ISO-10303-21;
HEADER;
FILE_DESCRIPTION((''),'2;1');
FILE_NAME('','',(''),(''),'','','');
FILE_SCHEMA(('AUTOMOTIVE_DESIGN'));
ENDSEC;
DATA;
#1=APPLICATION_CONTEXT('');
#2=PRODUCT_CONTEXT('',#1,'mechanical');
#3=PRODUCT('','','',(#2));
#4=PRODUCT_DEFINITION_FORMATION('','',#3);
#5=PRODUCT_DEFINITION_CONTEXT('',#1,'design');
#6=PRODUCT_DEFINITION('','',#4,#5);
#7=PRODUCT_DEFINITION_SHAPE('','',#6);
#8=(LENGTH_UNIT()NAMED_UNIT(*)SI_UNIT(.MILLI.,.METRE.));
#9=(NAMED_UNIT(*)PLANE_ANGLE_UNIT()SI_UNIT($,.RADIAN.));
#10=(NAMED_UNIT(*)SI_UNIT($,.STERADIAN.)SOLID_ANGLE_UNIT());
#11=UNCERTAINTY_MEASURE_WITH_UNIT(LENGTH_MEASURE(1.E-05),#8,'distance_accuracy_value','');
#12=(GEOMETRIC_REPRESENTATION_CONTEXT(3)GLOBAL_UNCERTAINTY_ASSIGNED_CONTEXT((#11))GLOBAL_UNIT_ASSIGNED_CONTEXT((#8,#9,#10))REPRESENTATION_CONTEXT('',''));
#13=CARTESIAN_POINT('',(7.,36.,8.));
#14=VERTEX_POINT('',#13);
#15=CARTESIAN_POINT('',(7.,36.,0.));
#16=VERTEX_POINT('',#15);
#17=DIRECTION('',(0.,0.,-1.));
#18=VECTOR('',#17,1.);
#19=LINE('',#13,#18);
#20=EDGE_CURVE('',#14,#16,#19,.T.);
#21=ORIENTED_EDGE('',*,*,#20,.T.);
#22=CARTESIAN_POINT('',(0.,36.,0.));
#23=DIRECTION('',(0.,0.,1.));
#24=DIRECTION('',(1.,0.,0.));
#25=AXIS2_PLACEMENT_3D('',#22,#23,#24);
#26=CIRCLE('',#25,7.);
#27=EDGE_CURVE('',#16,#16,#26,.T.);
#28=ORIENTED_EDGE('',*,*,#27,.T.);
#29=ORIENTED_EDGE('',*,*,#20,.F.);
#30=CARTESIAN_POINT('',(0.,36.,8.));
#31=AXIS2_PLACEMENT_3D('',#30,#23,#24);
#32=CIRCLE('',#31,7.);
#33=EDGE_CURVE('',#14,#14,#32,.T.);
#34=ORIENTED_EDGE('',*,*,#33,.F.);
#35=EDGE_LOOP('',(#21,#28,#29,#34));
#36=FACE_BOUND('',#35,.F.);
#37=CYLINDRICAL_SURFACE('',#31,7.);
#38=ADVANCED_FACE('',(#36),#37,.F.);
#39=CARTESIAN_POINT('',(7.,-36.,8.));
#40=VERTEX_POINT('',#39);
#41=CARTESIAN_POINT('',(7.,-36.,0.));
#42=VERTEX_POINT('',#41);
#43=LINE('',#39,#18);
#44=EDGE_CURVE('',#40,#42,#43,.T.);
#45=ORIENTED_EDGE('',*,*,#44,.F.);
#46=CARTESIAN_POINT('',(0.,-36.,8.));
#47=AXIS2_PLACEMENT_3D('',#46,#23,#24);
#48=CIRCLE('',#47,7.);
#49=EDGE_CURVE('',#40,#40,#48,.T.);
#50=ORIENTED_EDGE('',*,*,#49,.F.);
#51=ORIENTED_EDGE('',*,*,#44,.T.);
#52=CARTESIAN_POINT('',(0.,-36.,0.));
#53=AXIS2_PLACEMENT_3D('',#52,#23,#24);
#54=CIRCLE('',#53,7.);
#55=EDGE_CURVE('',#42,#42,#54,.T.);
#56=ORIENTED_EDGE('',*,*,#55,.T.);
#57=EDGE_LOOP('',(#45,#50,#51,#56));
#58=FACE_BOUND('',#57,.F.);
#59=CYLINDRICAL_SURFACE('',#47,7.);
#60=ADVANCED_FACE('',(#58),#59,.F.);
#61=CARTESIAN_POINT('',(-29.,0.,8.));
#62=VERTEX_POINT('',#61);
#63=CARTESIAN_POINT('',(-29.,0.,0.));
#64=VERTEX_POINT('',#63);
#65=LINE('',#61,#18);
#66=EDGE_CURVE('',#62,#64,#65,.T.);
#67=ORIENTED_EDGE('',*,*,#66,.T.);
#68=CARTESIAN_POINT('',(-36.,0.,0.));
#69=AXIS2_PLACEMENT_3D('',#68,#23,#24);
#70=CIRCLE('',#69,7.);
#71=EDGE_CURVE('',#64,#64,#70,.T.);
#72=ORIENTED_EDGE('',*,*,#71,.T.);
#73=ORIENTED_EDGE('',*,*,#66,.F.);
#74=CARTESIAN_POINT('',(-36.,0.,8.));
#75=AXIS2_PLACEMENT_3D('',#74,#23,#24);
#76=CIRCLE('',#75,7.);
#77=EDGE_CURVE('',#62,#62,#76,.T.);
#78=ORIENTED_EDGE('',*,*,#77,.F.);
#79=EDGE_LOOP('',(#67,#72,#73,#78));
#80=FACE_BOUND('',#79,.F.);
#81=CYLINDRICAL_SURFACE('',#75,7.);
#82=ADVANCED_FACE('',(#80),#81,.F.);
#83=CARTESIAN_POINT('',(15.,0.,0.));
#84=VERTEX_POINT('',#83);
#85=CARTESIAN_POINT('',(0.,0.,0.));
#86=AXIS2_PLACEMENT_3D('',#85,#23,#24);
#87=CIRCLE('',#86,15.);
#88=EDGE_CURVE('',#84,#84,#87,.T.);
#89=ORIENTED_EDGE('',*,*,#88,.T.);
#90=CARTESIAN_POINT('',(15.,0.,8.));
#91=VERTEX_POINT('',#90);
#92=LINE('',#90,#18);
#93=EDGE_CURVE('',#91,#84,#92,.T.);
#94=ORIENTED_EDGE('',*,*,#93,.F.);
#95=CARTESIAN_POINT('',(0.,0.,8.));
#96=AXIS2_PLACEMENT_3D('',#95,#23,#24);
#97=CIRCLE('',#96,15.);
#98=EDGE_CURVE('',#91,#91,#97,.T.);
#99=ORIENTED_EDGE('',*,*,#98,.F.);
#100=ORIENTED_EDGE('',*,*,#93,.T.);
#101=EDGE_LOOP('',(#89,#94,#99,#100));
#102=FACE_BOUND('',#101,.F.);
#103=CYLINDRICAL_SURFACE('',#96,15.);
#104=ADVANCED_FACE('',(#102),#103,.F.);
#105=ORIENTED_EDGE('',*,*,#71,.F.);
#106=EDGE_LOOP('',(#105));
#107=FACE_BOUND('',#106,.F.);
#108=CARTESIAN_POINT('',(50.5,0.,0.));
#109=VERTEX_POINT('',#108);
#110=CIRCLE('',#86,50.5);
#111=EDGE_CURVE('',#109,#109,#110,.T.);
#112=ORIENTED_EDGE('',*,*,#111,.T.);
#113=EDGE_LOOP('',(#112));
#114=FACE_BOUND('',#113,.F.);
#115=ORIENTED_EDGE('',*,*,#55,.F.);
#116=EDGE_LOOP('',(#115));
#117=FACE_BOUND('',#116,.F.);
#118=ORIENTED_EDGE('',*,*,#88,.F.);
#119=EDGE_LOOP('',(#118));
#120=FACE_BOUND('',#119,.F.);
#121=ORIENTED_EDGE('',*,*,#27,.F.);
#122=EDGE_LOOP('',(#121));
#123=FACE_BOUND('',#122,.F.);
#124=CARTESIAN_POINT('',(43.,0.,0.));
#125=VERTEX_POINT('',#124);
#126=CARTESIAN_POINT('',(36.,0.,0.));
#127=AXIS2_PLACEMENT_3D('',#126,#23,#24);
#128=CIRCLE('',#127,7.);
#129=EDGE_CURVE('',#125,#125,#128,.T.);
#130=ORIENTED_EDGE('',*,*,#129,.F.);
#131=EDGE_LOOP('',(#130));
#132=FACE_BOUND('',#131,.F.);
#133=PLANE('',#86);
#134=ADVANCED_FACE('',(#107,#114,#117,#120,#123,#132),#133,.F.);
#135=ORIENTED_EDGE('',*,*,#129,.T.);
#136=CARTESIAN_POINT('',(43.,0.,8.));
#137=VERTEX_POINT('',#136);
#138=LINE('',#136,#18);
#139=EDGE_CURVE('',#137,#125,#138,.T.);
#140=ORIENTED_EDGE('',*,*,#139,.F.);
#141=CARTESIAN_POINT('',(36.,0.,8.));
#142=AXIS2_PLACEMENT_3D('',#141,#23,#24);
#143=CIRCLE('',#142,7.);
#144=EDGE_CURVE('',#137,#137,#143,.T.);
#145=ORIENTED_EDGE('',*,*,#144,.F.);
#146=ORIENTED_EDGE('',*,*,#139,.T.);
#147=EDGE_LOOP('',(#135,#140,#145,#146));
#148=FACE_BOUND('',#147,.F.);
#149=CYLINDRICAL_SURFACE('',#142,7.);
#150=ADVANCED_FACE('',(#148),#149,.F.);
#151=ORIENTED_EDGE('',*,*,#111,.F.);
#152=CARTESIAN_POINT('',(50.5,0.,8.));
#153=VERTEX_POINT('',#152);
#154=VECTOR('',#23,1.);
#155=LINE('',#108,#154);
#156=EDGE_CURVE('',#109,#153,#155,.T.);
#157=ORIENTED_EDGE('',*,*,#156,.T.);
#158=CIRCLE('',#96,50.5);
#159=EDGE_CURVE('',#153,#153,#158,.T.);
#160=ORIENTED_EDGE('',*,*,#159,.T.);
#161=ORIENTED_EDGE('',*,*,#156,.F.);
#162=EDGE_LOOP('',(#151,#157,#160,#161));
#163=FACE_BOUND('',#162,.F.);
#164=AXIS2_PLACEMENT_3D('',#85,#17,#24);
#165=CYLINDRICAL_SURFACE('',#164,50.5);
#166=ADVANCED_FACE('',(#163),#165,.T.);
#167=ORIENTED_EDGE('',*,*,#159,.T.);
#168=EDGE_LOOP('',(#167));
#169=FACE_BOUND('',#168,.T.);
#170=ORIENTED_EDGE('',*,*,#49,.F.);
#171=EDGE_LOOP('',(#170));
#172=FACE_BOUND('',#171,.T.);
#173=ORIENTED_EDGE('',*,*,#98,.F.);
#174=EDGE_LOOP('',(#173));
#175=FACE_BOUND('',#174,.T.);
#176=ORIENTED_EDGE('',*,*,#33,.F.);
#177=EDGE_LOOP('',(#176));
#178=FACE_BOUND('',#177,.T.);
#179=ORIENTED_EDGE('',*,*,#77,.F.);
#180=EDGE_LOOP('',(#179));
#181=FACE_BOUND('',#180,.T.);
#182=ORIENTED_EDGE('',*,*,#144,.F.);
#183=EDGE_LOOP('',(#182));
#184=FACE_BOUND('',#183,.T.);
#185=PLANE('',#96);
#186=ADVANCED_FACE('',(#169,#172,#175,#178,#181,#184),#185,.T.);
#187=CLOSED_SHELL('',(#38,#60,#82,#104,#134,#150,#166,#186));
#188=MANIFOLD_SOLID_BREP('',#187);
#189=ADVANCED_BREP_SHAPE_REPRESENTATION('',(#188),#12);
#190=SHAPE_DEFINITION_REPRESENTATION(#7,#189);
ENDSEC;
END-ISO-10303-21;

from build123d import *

# Parameters (mm, degrees)
F0_R     = 50.5
F1_DEPTH = 8
F2_R     = 7
F2_R_2   = 15
F3_DEPTH = 8


with BuildPart() as f1:
    # F0 (on Top) → F1 (new body)
    with BuildSketch(Plane.XY):
        Circle(F0_R)
    extrude(amount=F1_DEPTH)

    # F2 (on face) → F3 (cut, through all)
    with BuildSketch(Plane.XY.offset(8)):
        with Locations((-36, 0)):
            Circle(F2_R)
        with Locations((0, 36)):
            Circle(F2_R)
        with Locations((36, 0)):
            Circle(F2_R)
        with Locations((0, -36)):
            Circle(F2_R)
        Circle(F2_R_2)
    extrude(amount=-F3_DEPTH, mode=Mode.SUBTRACT)


solid = f1.part
